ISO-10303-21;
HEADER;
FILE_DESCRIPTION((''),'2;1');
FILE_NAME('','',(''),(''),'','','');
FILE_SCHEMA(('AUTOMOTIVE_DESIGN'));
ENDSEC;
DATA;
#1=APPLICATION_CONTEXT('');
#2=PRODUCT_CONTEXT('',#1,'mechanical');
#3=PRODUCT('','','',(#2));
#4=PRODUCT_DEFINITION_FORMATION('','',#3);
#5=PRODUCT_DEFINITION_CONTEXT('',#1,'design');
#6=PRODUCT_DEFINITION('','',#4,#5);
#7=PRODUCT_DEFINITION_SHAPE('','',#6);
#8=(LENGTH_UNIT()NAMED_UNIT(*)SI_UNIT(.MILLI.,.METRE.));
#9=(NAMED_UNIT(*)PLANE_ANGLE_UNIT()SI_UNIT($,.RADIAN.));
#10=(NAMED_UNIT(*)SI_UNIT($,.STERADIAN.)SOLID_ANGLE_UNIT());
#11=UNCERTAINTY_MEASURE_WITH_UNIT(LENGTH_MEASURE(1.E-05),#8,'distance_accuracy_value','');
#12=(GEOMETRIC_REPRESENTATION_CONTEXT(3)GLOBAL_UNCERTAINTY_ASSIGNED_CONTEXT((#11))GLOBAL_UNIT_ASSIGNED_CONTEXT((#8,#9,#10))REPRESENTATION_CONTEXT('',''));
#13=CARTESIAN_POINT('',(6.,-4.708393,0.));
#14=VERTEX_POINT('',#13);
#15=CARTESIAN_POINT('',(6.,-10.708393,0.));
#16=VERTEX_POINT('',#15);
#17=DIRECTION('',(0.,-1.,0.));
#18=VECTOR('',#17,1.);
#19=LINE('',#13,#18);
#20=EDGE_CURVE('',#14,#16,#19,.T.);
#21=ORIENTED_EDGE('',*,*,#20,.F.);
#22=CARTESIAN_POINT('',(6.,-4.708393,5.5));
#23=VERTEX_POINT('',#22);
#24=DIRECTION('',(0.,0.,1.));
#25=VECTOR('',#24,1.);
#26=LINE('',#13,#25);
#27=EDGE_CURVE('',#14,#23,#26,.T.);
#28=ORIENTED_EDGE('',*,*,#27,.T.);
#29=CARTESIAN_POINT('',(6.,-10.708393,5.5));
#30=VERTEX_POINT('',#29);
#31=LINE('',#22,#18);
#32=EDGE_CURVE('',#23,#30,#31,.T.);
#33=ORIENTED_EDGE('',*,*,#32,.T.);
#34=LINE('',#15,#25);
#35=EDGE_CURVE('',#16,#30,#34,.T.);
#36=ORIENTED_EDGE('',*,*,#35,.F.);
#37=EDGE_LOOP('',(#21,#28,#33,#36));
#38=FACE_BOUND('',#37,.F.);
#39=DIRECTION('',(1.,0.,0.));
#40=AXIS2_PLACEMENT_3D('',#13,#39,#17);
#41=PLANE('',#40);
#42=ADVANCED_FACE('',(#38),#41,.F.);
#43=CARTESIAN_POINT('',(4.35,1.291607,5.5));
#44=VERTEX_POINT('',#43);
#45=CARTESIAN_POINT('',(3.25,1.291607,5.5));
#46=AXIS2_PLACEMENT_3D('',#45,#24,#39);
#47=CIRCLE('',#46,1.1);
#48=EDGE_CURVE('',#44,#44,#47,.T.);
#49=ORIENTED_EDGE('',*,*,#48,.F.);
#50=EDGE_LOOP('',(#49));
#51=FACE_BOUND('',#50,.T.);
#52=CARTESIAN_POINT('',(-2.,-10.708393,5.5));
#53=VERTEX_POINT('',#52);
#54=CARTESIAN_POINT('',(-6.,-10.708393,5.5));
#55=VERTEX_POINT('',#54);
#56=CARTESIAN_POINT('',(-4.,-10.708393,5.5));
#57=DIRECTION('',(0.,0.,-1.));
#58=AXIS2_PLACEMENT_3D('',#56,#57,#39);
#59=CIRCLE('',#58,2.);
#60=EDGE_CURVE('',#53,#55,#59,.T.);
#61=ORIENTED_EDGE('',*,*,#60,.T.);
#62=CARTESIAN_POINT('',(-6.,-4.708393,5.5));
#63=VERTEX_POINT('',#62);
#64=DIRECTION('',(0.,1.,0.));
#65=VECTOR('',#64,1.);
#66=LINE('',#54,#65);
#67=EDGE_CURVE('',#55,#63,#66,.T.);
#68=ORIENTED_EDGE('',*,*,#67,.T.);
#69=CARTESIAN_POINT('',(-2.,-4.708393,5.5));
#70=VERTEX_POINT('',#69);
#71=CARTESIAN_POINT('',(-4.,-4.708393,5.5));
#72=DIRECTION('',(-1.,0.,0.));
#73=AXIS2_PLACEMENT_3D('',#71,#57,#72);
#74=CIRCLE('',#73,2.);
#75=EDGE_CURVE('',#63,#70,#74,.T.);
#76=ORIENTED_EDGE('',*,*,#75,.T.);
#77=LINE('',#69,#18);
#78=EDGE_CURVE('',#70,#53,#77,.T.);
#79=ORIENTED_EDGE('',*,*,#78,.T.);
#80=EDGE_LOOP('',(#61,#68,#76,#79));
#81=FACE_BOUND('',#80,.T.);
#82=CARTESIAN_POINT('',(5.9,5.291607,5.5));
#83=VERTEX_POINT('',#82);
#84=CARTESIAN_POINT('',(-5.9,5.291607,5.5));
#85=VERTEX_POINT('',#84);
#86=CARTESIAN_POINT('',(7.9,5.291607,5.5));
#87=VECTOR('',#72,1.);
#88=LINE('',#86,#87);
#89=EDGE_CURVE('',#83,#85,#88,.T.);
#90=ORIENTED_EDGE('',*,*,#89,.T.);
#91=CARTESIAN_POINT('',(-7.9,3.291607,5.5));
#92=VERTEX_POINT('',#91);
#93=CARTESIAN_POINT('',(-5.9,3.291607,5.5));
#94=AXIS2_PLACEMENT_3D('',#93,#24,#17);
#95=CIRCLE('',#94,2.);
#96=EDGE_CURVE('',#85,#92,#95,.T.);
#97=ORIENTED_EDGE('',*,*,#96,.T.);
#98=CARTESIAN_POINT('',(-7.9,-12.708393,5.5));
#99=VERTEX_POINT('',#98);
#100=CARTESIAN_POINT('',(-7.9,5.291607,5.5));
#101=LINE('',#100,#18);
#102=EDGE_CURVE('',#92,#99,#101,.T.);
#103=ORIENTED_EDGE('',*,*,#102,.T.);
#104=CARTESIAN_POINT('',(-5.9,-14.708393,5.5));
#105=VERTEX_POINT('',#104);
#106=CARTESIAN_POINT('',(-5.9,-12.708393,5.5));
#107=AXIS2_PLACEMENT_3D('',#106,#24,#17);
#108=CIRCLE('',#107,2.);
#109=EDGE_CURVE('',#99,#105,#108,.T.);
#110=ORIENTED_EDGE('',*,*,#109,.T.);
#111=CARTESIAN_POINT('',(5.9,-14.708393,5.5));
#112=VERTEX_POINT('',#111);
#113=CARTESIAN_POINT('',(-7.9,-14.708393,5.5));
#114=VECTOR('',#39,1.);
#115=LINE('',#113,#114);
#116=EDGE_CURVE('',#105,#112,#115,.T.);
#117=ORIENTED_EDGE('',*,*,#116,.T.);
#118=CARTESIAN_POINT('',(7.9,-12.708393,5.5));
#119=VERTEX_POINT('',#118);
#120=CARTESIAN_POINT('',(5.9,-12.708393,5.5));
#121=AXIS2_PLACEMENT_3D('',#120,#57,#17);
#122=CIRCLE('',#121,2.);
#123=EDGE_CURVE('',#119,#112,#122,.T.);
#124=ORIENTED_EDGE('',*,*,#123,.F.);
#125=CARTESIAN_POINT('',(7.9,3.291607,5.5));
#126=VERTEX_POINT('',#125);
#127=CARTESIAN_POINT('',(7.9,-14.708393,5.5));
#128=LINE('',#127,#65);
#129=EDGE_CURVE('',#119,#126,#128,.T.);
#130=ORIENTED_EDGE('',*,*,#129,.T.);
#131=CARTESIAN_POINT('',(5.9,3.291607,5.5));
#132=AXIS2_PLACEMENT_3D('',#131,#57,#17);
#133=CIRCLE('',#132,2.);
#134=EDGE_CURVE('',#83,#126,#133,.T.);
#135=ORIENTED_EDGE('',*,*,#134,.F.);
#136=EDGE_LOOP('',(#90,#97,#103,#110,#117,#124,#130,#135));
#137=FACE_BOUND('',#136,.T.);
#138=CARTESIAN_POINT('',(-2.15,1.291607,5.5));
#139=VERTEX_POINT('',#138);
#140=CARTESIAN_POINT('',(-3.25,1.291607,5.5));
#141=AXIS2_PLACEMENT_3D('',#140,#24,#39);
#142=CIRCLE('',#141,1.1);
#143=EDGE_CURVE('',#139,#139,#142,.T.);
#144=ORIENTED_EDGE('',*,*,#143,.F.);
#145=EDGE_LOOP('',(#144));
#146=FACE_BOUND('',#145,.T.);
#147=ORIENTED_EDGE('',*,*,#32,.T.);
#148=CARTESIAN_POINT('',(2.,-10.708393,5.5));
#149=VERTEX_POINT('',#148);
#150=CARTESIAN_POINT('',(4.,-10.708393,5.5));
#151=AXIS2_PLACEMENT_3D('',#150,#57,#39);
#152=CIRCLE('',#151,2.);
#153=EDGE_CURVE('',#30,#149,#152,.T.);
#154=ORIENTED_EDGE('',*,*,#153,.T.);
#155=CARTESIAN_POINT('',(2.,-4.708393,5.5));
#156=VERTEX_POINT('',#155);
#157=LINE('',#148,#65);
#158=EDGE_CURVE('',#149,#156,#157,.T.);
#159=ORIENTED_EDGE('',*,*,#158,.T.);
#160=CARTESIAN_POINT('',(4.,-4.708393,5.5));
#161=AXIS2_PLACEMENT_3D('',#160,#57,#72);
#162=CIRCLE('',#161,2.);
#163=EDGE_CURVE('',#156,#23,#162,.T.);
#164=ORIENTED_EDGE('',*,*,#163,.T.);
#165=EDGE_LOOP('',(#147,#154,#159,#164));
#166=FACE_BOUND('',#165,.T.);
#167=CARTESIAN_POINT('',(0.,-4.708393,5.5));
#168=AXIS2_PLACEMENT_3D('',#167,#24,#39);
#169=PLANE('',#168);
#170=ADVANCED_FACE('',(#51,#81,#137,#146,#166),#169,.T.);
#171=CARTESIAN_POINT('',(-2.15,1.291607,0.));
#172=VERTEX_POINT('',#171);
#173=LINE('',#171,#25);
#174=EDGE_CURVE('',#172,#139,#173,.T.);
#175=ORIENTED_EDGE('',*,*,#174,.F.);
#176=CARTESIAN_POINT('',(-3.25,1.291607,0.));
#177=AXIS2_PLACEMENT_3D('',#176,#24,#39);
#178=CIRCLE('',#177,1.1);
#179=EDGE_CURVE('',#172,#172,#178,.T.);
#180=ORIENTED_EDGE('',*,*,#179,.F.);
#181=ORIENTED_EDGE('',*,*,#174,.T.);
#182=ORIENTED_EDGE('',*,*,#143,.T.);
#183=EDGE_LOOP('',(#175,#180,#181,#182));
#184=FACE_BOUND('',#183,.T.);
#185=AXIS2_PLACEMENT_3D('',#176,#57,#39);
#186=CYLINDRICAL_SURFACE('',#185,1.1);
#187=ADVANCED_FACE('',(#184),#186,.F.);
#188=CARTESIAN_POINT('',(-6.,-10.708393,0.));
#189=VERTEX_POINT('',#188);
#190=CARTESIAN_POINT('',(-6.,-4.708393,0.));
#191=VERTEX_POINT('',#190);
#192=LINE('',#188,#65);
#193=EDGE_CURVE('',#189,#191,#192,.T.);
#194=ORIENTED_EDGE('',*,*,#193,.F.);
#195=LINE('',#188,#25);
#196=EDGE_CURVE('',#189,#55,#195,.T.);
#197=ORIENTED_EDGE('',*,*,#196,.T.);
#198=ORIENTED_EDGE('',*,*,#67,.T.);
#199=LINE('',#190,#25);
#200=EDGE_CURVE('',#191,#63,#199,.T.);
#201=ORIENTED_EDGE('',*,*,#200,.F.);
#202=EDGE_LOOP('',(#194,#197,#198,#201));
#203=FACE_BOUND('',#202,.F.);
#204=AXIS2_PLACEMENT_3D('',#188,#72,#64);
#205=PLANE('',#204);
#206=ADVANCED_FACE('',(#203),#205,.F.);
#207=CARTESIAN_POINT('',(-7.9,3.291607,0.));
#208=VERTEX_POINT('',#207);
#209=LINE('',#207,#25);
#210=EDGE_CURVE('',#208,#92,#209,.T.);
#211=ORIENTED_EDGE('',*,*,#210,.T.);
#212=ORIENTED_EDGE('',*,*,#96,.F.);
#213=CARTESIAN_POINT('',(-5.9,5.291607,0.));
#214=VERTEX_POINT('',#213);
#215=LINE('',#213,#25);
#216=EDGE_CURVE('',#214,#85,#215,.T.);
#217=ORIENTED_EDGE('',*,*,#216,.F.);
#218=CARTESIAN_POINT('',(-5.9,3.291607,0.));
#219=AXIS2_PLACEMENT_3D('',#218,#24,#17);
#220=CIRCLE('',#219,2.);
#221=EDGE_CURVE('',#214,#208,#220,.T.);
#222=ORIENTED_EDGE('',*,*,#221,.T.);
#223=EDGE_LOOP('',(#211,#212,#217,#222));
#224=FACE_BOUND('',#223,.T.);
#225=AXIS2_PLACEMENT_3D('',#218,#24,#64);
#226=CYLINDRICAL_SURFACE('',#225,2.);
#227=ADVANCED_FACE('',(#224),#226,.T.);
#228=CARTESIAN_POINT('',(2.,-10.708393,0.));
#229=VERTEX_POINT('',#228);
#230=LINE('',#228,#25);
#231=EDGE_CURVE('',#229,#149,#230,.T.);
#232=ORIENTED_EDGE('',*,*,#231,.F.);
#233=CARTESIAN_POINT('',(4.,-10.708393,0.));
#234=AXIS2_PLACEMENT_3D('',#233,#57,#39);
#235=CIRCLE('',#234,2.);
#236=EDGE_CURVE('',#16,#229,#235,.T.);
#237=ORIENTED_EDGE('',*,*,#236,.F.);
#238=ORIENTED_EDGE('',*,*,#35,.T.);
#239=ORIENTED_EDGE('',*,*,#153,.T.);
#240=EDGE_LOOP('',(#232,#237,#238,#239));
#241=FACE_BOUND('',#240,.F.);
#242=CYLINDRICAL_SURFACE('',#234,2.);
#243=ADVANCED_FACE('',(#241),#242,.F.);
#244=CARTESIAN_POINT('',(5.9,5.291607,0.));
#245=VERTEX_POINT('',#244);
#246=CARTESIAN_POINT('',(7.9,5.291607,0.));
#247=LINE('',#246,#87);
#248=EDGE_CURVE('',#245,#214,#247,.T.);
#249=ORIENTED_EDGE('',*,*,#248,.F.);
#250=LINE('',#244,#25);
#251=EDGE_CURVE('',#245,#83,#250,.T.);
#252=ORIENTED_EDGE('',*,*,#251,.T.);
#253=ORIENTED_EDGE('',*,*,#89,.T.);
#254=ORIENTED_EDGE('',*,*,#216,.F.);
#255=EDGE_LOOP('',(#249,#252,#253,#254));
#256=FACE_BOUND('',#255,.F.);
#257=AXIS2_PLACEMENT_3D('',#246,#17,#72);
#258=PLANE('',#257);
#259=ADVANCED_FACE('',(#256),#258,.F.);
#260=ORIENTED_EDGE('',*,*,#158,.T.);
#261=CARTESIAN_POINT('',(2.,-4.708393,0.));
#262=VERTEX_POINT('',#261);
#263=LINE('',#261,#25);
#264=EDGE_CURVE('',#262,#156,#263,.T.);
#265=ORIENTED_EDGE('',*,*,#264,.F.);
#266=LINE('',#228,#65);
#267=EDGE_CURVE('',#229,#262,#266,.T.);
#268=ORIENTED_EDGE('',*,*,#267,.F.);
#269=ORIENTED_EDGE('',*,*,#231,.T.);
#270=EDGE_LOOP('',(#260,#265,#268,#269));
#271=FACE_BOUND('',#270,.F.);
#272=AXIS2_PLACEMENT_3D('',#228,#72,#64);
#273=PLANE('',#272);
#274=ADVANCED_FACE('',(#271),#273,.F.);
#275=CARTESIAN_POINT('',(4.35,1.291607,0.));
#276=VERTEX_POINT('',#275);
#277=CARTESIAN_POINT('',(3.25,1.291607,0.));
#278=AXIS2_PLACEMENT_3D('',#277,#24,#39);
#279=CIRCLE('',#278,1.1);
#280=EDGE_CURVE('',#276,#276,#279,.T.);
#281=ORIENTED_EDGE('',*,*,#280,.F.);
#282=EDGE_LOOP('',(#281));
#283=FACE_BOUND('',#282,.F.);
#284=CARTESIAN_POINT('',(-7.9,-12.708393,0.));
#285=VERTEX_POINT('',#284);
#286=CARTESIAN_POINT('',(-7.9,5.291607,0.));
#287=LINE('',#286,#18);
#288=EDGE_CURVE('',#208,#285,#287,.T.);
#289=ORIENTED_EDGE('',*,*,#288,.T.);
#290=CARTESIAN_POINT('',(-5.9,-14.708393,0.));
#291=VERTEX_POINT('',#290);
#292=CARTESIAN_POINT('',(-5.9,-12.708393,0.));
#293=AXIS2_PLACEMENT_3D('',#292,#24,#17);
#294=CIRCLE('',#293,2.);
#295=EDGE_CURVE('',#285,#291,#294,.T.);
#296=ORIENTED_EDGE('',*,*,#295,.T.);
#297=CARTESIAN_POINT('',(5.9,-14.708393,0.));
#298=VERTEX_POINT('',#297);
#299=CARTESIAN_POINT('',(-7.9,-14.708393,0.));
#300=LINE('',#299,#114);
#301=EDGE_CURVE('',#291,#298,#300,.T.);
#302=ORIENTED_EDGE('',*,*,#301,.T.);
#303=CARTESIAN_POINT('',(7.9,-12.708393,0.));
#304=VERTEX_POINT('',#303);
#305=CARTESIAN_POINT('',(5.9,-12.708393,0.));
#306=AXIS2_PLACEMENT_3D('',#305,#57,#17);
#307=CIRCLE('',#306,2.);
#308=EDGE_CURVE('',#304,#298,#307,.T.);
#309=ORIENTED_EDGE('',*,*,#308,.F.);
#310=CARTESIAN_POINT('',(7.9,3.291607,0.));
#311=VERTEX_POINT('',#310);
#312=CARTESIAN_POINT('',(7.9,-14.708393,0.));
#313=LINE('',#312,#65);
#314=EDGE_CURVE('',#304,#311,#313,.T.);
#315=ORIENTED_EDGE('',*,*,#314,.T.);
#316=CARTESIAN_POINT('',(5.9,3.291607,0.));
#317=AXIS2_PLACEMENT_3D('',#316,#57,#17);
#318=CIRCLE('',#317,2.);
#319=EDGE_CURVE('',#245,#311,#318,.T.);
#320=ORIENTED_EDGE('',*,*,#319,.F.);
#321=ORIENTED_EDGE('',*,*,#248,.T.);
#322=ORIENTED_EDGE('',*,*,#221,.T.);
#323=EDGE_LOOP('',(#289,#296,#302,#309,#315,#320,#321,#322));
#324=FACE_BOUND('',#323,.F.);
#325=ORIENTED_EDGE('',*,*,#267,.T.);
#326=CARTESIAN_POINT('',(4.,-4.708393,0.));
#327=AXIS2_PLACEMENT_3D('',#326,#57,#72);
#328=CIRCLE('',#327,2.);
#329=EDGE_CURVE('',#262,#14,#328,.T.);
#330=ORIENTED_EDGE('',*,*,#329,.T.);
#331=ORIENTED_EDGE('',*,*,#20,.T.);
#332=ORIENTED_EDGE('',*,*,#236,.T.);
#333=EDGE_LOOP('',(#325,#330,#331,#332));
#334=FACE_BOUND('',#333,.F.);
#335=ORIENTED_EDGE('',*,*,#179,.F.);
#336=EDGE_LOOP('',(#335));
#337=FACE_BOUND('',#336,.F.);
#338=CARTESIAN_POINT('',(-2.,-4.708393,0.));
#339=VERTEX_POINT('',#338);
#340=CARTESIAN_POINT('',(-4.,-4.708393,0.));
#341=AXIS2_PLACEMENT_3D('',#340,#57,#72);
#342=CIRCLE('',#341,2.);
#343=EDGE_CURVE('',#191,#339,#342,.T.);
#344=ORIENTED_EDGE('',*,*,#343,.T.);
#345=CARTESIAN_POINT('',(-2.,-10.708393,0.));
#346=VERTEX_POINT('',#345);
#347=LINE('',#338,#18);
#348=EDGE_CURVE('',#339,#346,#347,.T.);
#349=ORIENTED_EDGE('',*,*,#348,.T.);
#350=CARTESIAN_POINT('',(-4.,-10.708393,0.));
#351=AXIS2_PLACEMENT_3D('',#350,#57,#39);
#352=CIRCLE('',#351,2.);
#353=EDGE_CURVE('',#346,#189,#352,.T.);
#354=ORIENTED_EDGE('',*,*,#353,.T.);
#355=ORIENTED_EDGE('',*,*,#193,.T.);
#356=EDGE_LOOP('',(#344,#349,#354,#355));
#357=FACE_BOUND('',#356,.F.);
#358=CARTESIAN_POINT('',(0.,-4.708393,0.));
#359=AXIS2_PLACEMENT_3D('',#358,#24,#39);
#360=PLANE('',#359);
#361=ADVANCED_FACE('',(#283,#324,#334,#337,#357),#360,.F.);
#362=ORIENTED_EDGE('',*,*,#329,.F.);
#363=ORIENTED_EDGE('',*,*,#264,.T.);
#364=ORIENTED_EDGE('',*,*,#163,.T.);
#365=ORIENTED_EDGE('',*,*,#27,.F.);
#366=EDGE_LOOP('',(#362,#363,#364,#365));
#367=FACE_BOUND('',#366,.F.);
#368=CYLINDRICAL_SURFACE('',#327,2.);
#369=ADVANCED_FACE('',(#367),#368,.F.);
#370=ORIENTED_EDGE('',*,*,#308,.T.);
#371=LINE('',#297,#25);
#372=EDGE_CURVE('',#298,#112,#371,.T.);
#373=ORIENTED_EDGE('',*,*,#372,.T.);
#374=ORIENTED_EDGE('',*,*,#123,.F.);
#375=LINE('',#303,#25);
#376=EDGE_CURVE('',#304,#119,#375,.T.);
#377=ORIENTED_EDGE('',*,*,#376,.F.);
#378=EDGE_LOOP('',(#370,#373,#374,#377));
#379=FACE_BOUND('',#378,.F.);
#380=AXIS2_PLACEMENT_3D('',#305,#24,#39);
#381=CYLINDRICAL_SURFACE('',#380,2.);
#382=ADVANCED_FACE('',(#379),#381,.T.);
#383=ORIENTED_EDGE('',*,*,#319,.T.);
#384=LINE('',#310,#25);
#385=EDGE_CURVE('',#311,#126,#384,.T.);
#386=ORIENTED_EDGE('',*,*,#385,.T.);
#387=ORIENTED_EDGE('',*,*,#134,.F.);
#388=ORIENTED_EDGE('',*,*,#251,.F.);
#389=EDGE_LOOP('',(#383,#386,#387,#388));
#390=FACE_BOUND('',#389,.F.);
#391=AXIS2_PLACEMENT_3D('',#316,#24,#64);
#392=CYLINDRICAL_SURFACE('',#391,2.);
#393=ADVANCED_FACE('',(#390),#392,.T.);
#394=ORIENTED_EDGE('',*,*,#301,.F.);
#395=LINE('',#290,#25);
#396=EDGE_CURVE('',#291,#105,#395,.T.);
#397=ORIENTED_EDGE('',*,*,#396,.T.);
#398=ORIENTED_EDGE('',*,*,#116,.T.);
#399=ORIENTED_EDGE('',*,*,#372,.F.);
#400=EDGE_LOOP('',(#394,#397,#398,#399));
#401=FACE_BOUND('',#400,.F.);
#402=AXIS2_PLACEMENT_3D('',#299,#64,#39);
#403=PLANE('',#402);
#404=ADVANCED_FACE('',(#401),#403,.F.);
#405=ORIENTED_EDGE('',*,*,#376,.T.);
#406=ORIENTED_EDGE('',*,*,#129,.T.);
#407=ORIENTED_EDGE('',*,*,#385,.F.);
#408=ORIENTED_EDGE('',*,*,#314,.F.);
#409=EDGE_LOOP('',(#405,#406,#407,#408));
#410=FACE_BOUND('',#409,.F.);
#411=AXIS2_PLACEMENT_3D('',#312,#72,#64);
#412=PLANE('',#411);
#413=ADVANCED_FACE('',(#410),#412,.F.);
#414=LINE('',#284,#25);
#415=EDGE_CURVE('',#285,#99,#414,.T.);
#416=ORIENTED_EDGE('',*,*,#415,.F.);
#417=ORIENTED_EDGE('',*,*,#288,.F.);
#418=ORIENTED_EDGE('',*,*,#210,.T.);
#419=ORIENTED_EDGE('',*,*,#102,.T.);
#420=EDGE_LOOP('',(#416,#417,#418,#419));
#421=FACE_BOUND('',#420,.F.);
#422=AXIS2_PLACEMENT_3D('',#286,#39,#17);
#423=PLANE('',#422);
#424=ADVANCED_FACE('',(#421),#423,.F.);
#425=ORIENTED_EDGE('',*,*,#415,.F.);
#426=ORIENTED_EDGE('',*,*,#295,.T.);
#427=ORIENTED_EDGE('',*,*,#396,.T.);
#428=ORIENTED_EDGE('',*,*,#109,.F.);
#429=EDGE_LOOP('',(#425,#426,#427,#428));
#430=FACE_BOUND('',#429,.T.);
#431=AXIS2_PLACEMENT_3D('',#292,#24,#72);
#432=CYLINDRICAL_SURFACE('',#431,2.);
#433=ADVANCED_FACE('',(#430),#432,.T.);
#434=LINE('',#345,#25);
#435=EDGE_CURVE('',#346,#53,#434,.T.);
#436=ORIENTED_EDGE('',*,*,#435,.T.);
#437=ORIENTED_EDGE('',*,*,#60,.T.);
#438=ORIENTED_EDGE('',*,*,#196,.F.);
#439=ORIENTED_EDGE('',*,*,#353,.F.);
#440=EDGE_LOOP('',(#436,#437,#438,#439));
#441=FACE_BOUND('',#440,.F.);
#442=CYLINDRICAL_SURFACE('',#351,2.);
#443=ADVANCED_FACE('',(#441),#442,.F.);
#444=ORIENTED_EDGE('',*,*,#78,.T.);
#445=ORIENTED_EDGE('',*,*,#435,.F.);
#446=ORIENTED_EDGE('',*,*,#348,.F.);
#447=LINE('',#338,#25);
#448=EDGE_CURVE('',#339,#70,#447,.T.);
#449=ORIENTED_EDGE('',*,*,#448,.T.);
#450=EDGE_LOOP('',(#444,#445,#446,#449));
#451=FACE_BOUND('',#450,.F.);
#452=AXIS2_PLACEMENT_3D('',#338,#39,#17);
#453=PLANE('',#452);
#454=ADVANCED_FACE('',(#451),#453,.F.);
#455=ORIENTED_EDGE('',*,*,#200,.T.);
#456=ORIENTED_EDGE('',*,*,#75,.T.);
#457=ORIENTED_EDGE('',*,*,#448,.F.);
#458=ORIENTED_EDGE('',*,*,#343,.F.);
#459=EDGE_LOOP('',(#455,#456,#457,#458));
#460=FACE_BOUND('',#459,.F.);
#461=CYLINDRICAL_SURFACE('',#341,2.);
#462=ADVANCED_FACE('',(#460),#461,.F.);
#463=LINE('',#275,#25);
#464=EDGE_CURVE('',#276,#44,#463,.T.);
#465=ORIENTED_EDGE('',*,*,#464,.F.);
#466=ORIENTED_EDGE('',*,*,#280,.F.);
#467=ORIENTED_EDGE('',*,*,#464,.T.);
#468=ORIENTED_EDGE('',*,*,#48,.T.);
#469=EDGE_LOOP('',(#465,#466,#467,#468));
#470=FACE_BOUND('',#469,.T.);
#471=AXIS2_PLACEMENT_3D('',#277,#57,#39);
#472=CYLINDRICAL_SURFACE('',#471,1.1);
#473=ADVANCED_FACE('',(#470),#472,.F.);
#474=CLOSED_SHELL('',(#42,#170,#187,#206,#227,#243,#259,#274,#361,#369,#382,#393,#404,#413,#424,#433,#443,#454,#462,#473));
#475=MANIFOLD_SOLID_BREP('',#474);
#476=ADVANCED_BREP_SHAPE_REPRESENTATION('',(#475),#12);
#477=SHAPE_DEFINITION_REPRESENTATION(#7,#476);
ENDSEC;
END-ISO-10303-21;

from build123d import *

# Parameters (mm, degrees)
F0_R     = 1.1
F1_DEPTH = 5.5
F2_R     = 2


with BuildPart() as f1:
    # F0 (on Top) → F1 (new body)
    with BuildSketch(Plane.XY):
        Polygon((7.9, 5.291607), (0, 5.291607), (-7.9, 5.291607), (-7.9, -14.708393), (0, -14.708393), (7.9, -14.708393), align=None)
        with BuildLine():
            ThreePointArc((-2, -10.708393), (-4, -12.708393), (-6, -10.708393))
            Line((-6, -10.708393), (-6, -4.708393))
            ThreePointArc((-6, -4.708393), (-4, -2.708393), (-2, -4.708393))
            Line((-2, -4.708393), (-2, -10.708393))
        make_face(mode=Mode.SUBTRACT)
        with BuildLine():
            Line((6, -4.708393), (6, -10.708393))
            ThreePointArc((6, -10.708393), (4, -12.708393), (2, -10.708393))
            Line((2, -10.708393), (2, -4.708393))
            ThreePointArc((2, -4.708393), (4, -2.708393), (6, -4.708393))
        make_face(mode=Mode.SUBTRACT)
        with Locations((-3.25, 1.291607)):
            Circle(F0_R, mode=Mode.SUBTRACT)
        with Locations((3.25, 1.291607)):
            Circle(F0_R, mode=Mode.SUBTRACT)
    extrude(amount=F1_DEPTH)

    # F2
    f2_edges = [f1.edges().sort_by_distance(p)[0] for p in [
        (7.9, -14.708393, 2.75),
        (7.9, 5.291607, 2.75),
        (-7.9, -14.708393, 2.75),
        (-7.9, 5.291607, 2.75),
    ]]
    fillet(f2_edges, radius=F2_R)


solid = f1.part
